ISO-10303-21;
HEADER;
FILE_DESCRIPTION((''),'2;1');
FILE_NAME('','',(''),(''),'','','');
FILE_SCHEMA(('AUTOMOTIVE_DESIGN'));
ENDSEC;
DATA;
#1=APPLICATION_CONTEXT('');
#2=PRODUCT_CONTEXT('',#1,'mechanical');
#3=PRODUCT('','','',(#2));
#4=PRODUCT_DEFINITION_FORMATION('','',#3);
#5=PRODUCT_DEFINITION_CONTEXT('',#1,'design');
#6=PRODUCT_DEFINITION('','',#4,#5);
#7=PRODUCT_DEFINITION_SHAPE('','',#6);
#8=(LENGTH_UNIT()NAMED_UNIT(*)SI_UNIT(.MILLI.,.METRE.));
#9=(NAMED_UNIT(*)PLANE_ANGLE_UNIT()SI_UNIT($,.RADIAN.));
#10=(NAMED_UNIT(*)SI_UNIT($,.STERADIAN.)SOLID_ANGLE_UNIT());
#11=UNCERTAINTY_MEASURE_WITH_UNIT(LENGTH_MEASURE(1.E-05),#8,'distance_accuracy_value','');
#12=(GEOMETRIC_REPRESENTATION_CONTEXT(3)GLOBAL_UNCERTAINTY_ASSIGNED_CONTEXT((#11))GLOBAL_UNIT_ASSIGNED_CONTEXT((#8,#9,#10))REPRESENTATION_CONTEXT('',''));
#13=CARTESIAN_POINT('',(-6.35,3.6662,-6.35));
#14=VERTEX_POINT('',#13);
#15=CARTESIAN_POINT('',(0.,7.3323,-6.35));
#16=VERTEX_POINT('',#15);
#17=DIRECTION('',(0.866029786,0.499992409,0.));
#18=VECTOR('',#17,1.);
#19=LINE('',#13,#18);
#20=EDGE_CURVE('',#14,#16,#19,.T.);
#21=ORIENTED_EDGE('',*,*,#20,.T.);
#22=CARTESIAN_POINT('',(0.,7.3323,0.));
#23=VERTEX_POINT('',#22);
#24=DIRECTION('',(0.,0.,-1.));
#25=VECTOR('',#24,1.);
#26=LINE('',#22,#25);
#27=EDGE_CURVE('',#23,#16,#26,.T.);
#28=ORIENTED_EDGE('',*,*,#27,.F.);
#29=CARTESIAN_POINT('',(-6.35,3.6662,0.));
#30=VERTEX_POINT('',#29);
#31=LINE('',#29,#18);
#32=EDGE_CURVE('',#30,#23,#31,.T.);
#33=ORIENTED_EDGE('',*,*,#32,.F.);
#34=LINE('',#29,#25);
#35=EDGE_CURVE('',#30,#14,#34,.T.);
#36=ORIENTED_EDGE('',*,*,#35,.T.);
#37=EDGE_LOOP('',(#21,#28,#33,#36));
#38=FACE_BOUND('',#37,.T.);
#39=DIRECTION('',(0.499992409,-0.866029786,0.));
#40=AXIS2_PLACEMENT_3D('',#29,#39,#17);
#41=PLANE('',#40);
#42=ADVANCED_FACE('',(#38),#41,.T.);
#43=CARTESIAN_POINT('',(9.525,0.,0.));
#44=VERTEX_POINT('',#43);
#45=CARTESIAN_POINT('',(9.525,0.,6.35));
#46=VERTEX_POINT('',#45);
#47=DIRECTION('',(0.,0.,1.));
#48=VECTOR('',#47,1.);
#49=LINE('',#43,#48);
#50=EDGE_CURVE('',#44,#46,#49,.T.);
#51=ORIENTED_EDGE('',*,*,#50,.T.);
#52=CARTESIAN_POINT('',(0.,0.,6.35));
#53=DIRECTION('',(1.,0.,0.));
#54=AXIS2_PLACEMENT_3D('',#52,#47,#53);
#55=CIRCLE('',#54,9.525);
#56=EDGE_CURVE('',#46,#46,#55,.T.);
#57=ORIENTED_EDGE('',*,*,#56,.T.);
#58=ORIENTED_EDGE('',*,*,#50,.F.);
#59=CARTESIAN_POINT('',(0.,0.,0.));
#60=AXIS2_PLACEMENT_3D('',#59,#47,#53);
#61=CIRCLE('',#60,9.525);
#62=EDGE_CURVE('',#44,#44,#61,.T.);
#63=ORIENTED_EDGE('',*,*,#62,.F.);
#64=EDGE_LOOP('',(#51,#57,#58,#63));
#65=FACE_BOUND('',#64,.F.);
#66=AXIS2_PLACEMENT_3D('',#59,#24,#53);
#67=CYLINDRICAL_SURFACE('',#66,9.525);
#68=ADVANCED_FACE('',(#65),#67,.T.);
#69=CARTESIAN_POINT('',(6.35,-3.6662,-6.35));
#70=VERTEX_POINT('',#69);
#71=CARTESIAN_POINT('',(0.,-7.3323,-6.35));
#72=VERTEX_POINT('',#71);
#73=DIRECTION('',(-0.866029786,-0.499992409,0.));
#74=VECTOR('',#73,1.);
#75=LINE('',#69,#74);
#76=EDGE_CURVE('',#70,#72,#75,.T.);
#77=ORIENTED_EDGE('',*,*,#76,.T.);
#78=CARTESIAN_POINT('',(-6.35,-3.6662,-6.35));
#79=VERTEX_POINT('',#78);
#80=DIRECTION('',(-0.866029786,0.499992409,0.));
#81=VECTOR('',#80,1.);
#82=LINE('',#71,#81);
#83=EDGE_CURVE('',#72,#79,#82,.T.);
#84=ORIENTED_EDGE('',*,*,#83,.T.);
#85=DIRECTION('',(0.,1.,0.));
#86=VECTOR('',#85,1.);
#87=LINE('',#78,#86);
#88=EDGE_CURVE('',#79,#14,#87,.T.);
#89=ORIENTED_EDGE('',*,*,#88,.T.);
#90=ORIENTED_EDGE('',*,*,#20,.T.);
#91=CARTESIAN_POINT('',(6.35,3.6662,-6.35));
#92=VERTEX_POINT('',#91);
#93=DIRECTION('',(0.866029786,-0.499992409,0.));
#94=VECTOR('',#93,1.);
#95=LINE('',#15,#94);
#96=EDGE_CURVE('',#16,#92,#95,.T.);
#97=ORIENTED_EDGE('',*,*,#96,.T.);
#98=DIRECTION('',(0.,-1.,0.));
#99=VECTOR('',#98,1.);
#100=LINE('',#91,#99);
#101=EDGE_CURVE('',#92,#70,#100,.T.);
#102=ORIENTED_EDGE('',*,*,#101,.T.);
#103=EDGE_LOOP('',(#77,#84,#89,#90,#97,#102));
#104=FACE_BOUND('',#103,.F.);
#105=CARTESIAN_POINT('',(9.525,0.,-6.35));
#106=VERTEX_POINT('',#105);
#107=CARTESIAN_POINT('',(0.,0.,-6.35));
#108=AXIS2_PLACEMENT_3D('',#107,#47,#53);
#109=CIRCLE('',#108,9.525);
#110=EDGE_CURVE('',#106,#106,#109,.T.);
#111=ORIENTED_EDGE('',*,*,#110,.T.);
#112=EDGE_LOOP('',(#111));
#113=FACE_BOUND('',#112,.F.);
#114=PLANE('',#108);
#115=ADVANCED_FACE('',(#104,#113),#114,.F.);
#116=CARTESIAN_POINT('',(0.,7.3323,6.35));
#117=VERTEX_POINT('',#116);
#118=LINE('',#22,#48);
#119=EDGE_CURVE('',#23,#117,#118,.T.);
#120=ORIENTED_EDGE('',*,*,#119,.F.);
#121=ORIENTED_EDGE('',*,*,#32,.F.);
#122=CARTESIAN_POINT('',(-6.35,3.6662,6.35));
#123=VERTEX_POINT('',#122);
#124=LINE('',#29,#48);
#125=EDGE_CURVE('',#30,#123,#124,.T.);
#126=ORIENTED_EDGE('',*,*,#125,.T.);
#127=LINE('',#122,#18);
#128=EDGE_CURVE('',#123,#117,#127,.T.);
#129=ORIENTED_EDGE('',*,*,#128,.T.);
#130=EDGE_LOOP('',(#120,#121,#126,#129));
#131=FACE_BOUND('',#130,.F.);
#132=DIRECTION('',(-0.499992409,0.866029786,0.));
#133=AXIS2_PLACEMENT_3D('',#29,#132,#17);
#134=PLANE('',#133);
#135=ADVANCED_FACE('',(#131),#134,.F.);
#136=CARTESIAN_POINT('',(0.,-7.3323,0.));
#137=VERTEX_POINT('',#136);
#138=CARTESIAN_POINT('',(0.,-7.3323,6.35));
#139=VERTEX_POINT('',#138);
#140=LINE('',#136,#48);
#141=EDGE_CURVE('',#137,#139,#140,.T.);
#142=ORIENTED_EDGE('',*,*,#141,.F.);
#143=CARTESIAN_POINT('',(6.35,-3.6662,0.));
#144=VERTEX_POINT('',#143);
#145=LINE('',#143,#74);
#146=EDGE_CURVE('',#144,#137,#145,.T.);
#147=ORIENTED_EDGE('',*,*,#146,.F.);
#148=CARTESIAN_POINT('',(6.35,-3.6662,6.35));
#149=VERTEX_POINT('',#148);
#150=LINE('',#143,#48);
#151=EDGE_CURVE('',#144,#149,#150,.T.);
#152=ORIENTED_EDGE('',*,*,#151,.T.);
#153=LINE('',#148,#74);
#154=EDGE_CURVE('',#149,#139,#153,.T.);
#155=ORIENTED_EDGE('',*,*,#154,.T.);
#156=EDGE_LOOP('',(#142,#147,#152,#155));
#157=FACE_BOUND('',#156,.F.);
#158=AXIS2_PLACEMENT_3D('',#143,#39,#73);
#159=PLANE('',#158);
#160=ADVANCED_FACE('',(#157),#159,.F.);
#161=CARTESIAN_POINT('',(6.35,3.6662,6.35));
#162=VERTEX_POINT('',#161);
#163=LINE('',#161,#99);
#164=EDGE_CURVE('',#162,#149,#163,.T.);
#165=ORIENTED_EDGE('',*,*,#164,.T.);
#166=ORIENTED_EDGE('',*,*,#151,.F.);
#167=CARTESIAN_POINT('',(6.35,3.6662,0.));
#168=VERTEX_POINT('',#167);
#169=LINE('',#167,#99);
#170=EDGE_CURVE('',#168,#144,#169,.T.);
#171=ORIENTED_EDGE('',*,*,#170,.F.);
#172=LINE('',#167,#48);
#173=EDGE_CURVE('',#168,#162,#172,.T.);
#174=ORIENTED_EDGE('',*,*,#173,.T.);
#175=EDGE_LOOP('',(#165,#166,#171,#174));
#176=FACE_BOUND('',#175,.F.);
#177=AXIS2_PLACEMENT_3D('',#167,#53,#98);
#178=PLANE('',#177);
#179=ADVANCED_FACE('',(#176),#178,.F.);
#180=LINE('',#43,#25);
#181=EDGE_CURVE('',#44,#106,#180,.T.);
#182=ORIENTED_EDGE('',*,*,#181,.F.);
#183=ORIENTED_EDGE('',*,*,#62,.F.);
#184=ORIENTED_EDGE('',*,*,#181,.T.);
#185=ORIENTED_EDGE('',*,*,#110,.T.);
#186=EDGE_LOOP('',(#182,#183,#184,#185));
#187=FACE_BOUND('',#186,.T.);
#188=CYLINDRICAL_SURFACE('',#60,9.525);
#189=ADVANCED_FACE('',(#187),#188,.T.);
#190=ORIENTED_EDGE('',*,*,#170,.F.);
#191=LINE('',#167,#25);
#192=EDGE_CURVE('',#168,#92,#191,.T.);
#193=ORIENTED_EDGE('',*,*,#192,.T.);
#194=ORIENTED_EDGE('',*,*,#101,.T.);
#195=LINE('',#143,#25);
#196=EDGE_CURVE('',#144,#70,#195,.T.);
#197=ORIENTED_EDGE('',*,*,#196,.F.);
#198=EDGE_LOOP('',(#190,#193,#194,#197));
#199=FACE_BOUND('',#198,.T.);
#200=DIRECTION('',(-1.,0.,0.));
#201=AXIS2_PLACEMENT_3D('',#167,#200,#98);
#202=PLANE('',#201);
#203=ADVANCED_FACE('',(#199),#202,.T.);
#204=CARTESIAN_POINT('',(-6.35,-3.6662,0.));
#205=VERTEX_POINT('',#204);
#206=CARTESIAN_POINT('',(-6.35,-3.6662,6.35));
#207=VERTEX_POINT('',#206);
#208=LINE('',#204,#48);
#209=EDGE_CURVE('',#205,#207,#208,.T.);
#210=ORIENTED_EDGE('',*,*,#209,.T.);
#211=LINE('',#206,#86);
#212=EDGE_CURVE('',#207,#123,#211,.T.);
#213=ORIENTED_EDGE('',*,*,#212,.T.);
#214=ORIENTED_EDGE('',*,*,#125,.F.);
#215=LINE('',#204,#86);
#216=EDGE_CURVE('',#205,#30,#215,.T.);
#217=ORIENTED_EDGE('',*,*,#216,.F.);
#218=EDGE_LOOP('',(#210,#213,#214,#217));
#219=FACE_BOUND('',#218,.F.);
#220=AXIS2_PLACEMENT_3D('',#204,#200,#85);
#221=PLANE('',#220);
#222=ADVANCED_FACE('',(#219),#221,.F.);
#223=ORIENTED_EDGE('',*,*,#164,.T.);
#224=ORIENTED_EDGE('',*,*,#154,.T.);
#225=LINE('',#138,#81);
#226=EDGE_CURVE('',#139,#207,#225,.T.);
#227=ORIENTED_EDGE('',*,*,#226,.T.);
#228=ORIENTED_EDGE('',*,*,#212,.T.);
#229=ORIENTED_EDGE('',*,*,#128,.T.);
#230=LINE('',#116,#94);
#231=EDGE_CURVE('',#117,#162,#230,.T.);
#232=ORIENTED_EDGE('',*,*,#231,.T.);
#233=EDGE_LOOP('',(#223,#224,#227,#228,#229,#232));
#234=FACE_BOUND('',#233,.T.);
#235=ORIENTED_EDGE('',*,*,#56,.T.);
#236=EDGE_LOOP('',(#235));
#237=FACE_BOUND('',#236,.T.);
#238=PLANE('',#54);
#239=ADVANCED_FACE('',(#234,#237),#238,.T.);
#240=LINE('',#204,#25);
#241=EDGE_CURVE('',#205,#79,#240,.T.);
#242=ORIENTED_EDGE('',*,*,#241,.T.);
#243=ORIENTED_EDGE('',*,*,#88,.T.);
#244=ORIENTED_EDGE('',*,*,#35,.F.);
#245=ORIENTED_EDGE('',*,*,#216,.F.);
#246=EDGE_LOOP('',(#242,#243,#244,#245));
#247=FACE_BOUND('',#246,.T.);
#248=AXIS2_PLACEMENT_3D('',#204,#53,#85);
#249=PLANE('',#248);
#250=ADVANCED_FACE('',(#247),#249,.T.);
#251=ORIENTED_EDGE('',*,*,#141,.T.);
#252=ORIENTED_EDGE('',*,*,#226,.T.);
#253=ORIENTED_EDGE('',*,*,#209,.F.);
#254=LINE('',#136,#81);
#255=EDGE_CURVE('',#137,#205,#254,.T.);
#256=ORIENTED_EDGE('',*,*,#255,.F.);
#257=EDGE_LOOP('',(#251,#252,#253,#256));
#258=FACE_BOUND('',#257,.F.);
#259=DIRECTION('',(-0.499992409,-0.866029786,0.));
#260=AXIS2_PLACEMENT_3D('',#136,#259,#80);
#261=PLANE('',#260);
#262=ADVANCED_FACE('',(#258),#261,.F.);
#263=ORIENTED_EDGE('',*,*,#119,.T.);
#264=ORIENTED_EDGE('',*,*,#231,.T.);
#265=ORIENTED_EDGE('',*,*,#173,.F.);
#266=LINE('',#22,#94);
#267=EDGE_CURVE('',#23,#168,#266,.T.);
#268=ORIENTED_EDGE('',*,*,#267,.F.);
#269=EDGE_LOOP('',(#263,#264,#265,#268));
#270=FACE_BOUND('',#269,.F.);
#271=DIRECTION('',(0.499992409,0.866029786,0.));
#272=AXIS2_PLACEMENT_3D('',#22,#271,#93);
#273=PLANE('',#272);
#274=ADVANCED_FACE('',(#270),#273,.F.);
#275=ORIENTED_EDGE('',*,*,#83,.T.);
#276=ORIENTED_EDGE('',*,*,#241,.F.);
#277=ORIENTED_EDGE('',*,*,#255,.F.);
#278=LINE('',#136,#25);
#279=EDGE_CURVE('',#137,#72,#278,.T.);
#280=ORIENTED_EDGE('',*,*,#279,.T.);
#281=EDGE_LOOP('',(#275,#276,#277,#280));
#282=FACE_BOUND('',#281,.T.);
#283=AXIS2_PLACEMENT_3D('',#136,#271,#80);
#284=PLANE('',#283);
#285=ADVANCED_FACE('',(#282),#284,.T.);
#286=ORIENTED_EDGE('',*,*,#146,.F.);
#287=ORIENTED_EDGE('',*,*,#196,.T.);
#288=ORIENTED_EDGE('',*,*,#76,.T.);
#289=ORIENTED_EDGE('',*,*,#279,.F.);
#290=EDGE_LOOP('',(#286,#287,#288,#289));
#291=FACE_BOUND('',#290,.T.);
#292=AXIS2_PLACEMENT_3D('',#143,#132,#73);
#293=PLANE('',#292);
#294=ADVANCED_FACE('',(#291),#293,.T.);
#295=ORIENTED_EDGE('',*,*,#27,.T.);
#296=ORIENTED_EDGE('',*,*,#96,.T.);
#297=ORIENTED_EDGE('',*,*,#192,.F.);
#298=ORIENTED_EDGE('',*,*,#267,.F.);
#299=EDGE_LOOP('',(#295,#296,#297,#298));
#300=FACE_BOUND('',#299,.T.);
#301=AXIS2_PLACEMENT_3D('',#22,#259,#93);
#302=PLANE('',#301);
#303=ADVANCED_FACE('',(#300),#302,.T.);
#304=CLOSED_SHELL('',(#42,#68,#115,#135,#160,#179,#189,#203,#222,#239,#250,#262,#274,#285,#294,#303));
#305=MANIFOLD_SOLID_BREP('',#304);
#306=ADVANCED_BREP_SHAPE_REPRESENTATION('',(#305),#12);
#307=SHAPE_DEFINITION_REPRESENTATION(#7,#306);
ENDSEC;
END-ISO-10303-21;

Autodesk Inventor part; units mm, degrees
ref_plane "YZ Plane" through (0, 0, 0) normal (1, 0, 0) x (0, 1, 0)
ref_plane "XZ Plane" through (0, 0, 0) normal (0, 1, 0) x (-1, 0, 0)
ref_plane "XY Plane" through (0, 0, 0) normal (0, 0, 1) x (1, 0, 0)
sketch "Sketch1" plane through (0, 0, 0) normal (0, 0, 1) x (1, 0, 0)
  circle A0 centre (0, 0) radius 9.525
  line L0 (0, -7.3323) -> (-6.35, -3.6662)
  line L1 (-6.35, -3.6662) -> (-6.35, 3.6662)
  line L2 (-6.35, 3.6662) -> (0, 7.3323)
  line L3 (0, 7.3323) -> (6.35, 3.6662)
  line L4 (6.35, 3.6662) -> (6.35, -3.6662)
  line L5 (6.35, -3.6662) -> (0, -7.3323)
  dimension "d0" = 19.05
  dimension "d1" = 12.7
extrude "Extrusion1" add sketch "Sketch1" along normal mid plane 12.7
properties part number "500 Hex Spacer 0.5"
